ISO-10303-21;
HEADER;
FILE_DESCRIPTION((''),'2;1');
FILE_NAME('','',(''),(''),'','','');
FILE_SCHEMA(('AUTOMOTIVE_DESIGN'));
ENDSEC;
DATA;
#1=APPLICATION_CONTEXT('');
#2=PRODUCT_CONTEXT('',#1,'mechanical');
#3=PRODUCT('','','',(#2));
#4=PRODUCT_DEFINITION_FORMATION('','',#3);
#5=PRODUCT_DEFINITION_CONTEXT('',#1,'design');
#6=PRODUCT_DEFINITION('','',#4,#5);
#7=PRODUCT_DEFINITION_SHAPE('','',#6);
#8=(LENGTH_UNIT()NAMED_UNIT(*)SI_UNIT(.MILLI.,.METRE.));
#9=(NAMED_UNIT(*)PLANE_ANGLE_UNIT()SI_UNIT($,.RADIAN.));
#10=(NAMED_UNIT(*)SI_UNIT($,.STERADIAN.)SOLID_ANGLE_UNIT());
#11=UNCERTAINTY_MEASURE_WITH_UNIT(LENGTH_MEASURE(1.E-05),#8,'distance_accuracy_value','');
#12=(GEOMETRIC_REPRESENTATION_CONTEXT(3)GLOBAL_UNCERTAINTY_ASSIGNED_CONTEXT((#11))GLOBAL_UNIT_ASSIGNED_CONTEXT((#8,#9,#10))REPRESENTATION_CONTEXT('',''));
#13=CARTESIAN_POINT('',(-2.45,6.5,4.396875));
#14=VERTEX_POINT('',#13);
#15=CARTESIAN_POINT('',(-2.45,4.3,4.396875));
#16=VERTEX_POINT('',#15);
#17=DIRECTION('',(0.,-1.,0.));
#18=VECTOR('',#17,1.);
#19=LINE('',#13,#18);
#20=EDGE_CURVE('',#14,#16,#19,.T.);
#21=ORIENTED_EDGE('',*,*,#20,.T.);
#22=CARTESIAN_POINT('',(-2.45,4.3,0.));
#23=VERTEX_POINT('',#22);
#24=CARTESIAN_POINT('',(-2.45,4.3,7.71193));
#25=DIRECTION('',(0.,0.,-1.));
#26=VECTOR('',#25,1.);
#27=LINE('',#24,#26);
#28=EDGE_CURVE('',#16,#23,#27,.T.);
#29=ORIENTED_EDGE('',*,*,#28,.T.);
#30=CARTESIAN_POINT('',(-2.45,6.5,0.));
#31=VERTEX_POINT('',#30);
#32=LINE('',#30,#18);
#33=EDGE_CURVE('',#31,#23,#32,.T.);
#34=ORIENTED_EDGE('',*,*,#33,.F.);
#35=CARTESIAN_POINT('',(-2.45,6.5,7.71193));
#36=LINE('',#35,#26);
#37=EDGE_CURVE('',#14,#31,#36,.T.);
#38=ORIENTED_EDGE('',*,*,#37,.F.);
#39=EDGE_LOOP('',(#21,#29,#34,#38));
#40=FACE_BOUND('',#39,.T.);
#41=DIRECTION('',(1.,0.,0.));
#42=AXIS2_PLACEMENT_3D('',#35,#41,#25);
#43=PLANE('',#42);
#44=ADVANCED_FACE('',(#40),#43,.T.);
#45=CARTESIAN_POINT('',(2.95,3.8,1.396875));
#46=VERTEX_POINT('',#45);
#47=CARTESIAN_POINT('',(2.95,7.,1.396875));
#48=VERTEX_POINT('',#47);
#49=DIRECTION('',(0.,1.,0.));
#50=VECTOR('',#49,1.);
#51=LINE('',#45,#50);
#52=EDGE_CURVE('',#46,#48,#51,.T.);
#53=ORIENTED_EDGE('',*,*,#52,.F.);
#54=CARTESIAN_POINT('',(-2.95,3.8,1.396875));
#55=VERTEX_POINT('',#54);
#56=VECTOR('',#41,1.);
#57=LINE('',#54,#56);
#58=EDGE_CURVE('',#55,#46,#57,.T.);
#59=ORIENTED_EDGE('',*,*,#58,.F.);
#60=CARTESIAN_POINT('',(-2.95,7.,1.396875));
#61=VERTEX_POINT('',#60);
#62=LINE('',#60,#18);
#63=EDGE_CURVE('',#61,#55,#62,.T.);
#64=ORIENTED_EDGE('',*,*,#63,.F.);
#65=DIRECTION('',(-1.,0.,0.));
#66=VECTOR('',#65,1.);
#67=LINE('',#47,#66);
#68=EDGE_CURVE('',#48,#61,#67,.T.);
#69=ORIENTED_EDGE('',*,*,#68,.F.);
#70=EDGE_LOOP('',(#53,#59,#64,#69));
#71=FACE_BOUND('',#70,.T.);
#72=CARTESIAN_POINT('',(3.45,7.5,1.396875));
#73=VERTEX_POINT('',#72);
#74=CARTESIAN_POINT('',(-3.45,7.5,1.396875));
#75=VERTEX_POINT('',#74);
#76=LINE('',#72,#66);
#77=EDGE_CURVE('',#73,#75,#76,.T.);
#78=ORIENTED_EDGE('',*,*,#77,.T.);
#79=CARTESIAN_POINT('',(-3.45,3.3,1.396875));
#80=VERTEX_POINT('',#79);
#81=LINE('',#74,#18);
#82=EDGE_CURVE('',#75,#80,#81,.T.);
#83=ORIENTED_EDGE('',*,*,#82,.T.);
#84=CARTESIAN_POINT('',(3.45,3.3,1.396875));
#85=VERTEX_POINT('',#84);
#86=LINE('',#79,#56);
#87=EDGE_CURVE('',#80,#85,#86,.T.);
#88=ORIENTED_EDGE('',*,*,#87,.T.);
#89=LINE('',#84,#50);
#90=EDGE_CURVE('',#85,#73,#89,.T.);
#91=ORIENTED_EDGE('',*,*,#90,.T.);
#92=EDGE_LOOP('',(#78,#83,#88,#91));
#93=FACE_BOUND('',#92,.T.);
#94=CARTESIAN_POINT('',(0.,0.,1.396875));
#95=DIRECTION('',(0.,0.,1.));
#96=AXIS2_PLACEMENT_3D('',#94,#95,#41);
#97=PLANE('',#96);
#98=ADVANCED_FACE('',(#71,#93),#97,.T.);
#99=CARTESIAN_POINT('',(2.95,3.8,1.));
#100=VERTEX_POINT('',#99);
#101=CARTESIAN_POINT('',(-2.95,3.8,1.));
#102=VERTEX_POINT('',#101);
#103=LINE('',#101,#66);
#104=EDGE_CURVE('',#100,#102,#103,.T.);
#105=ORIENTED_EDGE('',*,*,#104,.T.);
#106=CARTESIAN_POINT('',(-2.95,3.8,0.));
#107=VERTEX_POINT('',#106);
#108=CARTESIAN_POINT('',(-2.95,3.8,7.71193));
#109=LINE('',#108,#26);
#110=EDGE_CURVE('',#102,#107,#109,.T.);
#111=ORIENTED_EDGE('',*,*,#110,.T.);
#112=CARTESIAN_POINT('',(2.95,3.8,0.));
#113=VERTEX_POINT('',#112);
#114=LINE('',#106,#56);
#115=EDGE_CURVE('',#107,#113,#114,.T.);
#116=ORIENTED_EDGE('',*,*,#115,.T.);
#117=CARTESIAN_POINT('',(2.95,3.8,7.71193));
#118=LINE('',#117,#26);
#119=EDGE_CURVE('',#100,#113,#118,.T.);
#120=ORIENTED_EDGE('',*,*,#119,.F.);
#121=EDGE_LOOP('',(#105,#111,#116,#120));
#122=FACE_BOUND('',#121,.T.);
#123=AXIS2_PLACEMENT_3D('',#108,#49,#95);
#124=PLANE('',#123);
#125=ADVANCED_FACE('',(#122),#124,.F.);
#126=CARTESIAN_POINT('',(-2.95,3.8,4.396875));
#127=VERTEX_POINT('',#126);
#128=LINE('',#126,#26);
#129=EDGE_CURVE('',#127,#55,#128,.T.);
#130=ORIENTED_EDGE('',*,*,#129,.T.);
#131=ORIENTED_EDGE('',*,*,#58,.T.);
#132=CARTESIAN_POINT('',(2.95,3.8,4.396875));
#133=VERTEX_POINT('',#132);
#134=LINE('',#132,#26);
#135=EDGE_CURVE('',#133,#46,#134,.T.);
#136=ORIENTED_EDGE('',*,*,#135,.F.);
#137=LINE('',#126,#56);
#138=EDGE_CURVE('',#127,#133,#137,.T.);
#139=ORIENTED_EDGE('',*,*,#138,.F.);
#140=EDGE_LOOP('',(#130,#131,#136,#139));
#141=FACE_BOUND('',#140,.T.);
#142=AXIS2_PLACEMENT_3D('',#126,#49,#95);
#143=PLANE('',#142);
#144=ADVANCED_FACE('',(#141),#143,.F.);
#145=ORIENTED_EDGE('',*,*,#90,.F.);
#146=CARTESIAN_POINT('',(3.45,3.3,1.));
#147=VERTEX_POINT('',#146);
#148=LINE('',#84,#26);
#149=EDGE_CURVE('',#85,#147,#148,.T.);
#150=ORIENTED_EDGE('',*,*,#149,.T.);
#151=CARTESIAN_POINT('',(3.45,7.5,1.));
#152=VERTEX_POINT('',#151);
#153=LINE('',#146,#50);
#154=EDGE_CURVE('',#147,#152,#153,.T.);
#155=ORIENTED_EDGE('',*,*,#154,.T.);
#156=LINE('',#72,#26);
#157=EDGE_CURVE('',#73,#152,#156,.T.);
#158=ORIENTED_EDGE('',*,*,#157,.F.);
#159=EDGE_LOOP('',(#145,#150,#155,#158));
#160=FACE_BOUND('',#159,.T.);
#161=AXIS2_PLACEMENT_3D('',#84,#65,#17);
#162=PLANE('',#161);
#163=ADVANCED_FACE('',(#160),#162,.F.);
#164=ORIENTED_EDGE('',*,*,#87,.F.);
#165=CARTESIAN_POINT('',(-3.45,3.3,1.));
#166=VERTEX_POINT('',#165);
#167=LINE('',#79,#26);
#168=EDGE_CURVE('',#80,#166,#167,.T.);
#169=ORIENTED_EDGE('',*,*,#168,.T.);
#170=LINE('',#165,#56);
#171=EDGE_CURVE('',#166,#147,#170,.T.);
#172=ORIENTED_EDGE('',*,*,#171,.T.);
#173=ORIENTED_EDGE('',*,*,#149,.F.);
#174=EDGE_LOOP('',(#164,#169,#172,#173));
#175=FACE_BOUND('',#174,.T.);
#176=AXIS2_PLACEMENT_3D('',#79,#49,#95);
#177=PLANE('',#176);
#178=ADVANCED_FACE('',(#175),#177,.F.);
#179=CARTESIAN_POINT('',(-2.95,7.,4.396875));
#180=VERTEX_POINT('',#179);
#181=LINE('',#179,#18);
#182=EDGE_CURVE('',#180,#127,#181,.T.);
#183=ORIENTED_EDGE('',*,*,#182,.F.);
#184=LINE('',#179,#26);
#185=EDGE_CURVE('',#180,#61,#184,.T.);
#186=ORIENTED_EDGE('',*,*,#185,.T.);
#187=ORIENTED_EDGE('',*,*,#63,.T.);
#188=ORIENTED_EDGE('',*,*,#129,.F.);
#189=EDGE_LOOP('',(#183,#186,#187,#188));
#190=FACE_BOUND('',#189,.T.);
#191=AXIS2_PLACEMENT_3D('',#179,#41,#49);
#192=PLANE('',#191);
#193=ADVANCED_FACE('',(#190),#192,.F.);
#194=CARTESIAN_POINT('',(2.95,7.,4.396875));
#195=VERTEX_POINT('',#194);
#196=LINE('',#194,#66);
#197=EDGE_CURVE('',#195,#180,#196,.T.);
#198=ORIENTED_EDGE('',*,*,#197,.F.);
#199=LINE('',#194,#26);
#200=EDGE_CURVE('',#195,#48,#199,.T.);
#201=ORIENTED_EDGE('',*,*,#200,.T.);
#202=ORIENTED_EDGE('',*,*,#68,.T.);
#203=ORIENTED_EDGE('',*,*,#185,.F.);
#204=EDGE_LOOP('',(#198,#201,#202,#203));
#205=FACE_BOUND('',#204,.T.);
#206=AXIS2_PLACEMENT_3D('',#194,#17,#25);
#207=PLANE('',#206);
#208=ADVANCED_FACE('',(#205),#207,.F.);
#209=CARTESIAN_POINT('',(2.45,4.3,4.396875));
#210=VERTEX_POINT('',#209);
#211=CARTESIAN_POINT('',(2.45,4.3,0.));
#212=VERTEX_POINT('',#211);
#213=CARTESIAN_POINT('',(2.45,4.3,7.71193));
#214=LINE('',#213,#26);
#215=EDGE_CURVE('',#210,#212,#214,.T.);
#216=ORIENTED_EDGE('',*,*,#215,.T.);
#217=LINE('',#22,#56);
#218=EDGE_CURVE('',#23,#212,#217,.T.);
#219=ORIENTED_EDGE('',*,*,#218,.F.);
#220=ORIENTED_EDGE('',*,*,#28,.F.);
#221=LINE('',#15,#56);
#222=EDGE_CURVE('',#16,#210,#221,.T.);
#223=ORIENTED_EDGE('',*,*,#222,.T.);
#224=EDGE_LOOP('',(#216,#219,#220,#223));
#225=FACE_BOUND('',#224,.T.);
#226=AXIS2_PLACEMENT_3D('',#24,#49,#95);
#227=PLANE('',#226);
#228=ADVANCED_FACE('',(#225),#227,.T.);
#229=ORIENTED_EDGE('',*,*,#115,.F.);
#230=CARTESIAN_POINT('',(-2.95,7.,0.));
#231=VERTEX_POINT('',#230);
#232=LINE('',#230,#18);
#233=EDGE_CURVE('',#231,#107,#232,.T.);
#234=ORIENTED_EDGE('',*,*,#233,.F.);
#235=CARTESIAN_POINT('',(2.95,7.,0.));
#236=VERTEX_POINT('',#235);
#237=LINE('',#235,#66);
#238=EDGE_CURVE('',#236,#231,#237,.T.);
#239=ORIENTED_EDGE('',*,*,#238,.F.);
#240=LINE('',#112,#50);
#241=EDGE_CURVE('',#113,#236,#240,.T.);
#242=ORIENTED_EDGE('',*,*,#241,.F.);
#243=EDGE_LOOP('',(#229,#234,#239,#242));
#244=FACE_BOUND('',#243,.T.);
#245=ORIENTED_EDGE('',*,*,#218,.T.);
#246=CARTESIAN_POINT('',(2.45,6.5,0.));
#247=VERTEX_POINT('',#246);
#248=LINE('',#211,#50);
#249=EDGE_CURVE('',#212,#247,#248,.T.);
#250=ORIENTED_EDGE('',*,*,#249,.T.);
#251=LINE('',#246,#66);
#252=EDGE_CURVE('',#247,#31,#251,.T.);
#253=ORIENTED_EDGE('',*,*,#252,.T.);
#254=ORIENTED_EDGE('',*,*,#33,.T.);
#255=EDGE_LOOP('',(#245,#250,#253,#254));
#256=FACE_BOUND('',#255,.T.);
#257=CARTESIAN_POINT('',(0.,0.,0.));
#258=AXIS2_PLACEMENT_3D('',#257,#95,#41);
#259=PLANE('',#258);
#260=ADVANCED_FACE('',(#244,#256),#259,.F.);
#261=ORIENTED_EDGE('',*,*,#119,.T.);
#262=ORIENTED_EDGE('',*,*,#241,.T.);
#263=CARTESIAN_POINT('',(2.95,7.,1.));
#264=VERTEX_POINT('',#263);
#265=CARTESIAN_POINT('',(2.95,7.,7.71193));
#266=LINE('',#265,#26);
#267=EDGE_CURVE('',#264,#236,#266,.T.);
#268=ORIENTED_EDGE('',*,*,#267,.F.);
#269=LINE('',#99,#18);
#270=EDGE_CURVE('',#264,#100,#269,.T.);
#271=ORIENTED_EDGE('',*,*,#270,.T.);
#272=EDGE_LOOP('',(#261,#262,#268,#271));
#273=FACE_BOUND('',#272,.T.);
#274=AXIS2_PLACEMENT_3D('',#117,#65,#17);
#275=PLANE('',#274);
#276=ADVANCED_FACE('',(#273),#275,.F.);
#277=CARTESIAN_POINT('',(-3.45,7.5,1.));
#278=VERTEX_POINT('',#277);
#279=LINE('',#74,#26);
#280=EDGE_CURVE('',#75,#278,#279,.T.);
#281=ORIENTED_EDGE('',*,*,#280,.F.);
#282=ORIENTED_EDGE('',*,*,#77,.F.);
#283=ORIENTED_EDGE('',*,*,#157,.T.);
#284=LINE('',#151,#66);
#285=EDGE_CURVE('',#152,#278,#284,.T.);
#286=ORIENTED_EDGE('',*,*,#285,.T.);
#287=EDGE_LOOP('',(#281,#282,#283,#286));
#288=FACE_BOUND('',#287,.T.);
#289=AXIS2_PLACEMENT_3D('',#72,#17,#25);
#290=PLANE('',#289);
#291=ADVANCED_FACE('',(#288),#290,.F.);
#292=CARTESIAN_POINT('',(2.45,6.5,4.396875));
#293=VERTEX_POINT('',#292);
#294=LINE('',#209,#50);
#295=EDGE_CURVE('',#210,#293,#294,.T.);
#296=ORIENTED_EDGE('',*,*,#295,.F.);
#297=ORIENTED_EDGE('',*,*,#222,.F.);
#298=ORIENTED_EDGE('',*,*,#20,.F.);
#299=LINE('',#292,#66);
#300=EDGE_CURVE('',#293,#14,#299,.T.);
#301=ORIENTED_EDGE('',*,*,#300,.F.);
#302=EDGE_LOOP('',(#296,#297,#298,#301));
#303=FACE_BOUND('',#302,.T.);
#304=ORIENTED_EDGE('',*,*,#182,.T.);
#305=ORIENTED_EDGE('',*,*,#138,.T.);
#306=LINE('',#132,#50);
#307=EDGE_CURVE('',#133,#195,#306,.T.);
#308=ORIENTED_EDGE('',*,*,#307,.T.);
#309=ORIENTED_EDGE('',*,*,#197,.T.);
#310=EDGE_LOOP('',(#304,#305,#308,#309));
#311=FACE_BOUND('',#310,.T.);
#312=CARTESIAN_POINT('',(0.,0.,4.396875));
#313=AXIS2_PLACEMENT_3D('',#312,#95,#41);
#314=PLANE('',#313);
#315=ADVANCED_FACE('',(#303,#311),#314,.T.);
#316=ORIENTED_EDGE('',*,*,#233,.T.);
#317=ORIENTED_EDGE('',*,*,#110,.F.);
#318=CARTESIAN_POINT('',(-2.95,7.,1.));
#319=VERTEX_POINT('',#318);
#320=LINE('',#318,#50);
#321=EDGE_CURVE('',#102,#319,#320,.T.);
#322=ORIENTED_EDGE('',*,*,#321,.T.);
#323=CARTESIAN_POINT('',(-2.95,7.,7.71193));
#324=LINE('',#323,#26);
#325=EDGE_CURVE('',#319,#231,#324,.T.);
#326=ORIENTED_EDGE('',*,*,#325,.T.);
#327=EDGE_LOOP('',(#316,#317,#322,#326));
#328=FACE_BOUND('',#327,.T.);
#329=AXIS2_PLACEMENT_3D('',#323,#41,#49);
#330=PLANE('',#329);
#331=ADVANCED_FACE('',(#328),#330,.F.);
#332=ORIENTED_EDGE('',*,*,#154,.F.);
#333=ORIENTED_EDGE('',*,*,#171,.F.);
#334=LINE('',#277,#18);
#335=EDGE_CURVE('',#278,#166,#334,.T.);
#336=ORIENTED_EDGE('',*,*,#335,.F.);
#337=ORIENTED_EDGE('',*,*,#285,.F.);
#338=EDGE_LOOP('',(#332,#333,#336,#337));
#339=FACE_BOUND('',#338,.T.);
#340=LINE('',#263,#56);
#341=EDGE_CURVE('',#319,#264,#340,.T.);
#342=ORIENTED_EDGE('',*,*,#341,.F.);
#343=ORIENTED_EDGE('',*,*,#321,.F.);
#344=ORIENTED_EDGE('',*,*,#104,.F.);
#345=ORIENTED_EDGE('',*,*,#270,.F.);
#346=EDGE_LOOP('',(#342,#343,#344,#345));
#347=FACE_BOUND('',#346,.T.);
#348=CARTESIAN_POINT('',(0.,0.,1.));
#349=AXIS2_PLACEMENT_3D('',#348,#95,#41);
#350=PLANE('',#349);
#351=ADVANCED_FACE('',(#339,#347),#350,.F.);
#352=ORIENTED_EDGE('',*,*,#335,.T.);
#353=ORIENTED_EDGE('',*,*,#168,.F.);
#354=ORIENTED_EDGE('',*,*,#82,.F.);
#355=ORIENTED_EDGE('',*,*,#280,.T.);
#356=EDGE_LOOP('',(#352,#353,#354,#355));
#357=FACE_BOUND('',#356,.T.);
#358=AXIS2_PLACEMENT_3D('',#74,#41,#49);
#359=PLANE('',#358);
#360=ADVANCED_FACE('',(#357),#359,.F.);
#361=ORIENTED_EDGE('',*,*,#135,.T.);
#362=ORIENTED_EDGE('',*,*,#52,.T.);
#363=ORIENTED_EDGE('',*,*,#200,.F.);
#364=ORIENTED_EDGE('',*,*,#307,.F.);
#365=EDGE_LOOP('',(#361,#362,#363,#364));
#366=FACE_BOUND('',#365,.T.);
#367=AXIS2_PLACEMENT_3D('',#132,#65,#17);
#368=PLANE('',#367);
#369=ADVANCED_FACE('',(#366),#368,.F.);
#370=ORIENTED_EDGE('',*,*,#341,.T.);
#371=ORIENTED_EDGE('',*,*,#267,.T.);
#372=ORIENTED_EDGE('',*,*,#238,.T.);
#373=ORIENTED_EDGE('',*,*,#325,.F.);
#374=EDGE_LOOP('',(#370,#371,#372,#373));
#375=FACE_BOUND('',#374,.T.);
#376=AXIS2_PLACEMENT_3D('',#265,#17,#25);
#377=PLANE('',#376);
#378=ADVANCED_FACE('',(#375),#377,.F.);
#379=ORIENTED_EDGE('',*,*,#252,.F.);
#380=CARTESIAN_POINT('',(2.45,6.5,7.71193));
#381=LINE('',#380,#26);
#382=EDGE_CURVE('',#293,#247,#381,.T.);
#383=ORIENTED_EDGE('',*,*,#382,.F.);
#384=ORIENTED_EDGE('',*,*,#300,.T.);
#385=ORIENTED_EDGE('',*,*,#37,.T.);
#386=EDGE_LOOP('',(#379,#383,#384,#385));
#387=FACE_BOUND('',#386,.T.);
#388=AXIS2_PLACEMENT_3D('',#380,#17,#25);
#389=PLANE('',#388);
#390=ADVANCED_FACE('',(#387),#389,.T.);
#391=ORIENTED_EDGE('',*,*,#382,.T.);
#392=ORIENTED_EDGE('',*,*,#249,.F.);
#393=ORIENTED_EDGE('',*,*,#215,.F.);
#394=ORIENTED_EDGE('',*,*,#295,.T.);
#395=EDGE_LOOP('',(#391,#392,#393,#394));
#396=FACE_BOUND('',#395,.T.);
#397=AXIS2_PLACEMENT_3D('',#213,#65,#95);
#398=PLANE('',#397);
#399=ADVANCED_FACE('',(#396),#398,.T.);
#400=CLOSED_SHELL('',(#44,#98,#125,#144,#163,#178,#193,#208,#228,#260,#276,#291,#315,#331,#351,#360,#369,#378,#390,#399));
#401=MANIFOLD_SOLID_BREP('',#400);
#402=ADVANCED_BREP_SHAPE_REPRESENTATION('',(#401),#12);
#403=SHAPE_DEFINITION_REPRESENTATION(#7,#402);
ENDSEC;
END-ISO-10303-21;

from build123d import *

# Parameters (mm, degrees)
SKETCH1_W           = 5.9
SKETCH1_H           = 3.2
SKETCH1_W_2         = 4.9
SKETCH1_H_2         = 2.2
BOSS_EXTRUDE1_DEPTH = 1
SKETCH2_W           = 6.9
SKETCH2_H           = 4.2
SKETCH2_W_2         = 4.9
SKETCH2_H_2         = 2.2
BOSS_EXTRUDE2_DEPTH = 0.396875
SKETCH3_W           = 5.9
SKETCH3_H           = 3.2
SKETCH3_W_2         = 4.9
SKETCH3_H_2         = 2.2
BOSS_EXTRUDE3_DEPTH = 3


with BuildPart() as part:
    # Sketch1 → Boss-Extrude1 (new body)
    with BuildSketch(Plane.XY):
        with Locations((0, 5.4)):
            Rectangle(SKETCH1_W, SKETCH1_H)
        with Locations((0, 5.4)):
            Rectangle(SKETCH1_W_2, SKETCH1_H_2, mode=Mode.SUBTRACT)
    extrude(amount=BOSS_EXTRUDE1_DEPTH)

    # Sketch2 → Boss-Extrude2 (add)
    with BuildSketch(Plane.XY.offset(1)):
        with Locations((0, 5.4)):
            Rectangle(SKETCH2_W, SKETCH2_H)
        with Locations((0, 5.4)):
            Rectangle(SKETCH2_W_2, SKETCH2_H_2, mode=Mode.SUBTRACT)
    extrude(amount=BOSS_EXTRUDE2_DEPTH)

    # Sketch3 → Boss-Extrude3 (add)
    with BuildSketch(Plane.XY.offset(1.396875)):
        with Locations((0, 5.4)):
            Rectangle(SKETCH3_W, SKETCH3_H)
        with Locations((0, 5.4)):
            Rectangle(SKETCH3_W_2, SKETCH3_H_2, mode=Mode.SUBTRACT)
    extrude(amount=BOSS_EXTRUDE3_DEPTH)


solid = part.part
